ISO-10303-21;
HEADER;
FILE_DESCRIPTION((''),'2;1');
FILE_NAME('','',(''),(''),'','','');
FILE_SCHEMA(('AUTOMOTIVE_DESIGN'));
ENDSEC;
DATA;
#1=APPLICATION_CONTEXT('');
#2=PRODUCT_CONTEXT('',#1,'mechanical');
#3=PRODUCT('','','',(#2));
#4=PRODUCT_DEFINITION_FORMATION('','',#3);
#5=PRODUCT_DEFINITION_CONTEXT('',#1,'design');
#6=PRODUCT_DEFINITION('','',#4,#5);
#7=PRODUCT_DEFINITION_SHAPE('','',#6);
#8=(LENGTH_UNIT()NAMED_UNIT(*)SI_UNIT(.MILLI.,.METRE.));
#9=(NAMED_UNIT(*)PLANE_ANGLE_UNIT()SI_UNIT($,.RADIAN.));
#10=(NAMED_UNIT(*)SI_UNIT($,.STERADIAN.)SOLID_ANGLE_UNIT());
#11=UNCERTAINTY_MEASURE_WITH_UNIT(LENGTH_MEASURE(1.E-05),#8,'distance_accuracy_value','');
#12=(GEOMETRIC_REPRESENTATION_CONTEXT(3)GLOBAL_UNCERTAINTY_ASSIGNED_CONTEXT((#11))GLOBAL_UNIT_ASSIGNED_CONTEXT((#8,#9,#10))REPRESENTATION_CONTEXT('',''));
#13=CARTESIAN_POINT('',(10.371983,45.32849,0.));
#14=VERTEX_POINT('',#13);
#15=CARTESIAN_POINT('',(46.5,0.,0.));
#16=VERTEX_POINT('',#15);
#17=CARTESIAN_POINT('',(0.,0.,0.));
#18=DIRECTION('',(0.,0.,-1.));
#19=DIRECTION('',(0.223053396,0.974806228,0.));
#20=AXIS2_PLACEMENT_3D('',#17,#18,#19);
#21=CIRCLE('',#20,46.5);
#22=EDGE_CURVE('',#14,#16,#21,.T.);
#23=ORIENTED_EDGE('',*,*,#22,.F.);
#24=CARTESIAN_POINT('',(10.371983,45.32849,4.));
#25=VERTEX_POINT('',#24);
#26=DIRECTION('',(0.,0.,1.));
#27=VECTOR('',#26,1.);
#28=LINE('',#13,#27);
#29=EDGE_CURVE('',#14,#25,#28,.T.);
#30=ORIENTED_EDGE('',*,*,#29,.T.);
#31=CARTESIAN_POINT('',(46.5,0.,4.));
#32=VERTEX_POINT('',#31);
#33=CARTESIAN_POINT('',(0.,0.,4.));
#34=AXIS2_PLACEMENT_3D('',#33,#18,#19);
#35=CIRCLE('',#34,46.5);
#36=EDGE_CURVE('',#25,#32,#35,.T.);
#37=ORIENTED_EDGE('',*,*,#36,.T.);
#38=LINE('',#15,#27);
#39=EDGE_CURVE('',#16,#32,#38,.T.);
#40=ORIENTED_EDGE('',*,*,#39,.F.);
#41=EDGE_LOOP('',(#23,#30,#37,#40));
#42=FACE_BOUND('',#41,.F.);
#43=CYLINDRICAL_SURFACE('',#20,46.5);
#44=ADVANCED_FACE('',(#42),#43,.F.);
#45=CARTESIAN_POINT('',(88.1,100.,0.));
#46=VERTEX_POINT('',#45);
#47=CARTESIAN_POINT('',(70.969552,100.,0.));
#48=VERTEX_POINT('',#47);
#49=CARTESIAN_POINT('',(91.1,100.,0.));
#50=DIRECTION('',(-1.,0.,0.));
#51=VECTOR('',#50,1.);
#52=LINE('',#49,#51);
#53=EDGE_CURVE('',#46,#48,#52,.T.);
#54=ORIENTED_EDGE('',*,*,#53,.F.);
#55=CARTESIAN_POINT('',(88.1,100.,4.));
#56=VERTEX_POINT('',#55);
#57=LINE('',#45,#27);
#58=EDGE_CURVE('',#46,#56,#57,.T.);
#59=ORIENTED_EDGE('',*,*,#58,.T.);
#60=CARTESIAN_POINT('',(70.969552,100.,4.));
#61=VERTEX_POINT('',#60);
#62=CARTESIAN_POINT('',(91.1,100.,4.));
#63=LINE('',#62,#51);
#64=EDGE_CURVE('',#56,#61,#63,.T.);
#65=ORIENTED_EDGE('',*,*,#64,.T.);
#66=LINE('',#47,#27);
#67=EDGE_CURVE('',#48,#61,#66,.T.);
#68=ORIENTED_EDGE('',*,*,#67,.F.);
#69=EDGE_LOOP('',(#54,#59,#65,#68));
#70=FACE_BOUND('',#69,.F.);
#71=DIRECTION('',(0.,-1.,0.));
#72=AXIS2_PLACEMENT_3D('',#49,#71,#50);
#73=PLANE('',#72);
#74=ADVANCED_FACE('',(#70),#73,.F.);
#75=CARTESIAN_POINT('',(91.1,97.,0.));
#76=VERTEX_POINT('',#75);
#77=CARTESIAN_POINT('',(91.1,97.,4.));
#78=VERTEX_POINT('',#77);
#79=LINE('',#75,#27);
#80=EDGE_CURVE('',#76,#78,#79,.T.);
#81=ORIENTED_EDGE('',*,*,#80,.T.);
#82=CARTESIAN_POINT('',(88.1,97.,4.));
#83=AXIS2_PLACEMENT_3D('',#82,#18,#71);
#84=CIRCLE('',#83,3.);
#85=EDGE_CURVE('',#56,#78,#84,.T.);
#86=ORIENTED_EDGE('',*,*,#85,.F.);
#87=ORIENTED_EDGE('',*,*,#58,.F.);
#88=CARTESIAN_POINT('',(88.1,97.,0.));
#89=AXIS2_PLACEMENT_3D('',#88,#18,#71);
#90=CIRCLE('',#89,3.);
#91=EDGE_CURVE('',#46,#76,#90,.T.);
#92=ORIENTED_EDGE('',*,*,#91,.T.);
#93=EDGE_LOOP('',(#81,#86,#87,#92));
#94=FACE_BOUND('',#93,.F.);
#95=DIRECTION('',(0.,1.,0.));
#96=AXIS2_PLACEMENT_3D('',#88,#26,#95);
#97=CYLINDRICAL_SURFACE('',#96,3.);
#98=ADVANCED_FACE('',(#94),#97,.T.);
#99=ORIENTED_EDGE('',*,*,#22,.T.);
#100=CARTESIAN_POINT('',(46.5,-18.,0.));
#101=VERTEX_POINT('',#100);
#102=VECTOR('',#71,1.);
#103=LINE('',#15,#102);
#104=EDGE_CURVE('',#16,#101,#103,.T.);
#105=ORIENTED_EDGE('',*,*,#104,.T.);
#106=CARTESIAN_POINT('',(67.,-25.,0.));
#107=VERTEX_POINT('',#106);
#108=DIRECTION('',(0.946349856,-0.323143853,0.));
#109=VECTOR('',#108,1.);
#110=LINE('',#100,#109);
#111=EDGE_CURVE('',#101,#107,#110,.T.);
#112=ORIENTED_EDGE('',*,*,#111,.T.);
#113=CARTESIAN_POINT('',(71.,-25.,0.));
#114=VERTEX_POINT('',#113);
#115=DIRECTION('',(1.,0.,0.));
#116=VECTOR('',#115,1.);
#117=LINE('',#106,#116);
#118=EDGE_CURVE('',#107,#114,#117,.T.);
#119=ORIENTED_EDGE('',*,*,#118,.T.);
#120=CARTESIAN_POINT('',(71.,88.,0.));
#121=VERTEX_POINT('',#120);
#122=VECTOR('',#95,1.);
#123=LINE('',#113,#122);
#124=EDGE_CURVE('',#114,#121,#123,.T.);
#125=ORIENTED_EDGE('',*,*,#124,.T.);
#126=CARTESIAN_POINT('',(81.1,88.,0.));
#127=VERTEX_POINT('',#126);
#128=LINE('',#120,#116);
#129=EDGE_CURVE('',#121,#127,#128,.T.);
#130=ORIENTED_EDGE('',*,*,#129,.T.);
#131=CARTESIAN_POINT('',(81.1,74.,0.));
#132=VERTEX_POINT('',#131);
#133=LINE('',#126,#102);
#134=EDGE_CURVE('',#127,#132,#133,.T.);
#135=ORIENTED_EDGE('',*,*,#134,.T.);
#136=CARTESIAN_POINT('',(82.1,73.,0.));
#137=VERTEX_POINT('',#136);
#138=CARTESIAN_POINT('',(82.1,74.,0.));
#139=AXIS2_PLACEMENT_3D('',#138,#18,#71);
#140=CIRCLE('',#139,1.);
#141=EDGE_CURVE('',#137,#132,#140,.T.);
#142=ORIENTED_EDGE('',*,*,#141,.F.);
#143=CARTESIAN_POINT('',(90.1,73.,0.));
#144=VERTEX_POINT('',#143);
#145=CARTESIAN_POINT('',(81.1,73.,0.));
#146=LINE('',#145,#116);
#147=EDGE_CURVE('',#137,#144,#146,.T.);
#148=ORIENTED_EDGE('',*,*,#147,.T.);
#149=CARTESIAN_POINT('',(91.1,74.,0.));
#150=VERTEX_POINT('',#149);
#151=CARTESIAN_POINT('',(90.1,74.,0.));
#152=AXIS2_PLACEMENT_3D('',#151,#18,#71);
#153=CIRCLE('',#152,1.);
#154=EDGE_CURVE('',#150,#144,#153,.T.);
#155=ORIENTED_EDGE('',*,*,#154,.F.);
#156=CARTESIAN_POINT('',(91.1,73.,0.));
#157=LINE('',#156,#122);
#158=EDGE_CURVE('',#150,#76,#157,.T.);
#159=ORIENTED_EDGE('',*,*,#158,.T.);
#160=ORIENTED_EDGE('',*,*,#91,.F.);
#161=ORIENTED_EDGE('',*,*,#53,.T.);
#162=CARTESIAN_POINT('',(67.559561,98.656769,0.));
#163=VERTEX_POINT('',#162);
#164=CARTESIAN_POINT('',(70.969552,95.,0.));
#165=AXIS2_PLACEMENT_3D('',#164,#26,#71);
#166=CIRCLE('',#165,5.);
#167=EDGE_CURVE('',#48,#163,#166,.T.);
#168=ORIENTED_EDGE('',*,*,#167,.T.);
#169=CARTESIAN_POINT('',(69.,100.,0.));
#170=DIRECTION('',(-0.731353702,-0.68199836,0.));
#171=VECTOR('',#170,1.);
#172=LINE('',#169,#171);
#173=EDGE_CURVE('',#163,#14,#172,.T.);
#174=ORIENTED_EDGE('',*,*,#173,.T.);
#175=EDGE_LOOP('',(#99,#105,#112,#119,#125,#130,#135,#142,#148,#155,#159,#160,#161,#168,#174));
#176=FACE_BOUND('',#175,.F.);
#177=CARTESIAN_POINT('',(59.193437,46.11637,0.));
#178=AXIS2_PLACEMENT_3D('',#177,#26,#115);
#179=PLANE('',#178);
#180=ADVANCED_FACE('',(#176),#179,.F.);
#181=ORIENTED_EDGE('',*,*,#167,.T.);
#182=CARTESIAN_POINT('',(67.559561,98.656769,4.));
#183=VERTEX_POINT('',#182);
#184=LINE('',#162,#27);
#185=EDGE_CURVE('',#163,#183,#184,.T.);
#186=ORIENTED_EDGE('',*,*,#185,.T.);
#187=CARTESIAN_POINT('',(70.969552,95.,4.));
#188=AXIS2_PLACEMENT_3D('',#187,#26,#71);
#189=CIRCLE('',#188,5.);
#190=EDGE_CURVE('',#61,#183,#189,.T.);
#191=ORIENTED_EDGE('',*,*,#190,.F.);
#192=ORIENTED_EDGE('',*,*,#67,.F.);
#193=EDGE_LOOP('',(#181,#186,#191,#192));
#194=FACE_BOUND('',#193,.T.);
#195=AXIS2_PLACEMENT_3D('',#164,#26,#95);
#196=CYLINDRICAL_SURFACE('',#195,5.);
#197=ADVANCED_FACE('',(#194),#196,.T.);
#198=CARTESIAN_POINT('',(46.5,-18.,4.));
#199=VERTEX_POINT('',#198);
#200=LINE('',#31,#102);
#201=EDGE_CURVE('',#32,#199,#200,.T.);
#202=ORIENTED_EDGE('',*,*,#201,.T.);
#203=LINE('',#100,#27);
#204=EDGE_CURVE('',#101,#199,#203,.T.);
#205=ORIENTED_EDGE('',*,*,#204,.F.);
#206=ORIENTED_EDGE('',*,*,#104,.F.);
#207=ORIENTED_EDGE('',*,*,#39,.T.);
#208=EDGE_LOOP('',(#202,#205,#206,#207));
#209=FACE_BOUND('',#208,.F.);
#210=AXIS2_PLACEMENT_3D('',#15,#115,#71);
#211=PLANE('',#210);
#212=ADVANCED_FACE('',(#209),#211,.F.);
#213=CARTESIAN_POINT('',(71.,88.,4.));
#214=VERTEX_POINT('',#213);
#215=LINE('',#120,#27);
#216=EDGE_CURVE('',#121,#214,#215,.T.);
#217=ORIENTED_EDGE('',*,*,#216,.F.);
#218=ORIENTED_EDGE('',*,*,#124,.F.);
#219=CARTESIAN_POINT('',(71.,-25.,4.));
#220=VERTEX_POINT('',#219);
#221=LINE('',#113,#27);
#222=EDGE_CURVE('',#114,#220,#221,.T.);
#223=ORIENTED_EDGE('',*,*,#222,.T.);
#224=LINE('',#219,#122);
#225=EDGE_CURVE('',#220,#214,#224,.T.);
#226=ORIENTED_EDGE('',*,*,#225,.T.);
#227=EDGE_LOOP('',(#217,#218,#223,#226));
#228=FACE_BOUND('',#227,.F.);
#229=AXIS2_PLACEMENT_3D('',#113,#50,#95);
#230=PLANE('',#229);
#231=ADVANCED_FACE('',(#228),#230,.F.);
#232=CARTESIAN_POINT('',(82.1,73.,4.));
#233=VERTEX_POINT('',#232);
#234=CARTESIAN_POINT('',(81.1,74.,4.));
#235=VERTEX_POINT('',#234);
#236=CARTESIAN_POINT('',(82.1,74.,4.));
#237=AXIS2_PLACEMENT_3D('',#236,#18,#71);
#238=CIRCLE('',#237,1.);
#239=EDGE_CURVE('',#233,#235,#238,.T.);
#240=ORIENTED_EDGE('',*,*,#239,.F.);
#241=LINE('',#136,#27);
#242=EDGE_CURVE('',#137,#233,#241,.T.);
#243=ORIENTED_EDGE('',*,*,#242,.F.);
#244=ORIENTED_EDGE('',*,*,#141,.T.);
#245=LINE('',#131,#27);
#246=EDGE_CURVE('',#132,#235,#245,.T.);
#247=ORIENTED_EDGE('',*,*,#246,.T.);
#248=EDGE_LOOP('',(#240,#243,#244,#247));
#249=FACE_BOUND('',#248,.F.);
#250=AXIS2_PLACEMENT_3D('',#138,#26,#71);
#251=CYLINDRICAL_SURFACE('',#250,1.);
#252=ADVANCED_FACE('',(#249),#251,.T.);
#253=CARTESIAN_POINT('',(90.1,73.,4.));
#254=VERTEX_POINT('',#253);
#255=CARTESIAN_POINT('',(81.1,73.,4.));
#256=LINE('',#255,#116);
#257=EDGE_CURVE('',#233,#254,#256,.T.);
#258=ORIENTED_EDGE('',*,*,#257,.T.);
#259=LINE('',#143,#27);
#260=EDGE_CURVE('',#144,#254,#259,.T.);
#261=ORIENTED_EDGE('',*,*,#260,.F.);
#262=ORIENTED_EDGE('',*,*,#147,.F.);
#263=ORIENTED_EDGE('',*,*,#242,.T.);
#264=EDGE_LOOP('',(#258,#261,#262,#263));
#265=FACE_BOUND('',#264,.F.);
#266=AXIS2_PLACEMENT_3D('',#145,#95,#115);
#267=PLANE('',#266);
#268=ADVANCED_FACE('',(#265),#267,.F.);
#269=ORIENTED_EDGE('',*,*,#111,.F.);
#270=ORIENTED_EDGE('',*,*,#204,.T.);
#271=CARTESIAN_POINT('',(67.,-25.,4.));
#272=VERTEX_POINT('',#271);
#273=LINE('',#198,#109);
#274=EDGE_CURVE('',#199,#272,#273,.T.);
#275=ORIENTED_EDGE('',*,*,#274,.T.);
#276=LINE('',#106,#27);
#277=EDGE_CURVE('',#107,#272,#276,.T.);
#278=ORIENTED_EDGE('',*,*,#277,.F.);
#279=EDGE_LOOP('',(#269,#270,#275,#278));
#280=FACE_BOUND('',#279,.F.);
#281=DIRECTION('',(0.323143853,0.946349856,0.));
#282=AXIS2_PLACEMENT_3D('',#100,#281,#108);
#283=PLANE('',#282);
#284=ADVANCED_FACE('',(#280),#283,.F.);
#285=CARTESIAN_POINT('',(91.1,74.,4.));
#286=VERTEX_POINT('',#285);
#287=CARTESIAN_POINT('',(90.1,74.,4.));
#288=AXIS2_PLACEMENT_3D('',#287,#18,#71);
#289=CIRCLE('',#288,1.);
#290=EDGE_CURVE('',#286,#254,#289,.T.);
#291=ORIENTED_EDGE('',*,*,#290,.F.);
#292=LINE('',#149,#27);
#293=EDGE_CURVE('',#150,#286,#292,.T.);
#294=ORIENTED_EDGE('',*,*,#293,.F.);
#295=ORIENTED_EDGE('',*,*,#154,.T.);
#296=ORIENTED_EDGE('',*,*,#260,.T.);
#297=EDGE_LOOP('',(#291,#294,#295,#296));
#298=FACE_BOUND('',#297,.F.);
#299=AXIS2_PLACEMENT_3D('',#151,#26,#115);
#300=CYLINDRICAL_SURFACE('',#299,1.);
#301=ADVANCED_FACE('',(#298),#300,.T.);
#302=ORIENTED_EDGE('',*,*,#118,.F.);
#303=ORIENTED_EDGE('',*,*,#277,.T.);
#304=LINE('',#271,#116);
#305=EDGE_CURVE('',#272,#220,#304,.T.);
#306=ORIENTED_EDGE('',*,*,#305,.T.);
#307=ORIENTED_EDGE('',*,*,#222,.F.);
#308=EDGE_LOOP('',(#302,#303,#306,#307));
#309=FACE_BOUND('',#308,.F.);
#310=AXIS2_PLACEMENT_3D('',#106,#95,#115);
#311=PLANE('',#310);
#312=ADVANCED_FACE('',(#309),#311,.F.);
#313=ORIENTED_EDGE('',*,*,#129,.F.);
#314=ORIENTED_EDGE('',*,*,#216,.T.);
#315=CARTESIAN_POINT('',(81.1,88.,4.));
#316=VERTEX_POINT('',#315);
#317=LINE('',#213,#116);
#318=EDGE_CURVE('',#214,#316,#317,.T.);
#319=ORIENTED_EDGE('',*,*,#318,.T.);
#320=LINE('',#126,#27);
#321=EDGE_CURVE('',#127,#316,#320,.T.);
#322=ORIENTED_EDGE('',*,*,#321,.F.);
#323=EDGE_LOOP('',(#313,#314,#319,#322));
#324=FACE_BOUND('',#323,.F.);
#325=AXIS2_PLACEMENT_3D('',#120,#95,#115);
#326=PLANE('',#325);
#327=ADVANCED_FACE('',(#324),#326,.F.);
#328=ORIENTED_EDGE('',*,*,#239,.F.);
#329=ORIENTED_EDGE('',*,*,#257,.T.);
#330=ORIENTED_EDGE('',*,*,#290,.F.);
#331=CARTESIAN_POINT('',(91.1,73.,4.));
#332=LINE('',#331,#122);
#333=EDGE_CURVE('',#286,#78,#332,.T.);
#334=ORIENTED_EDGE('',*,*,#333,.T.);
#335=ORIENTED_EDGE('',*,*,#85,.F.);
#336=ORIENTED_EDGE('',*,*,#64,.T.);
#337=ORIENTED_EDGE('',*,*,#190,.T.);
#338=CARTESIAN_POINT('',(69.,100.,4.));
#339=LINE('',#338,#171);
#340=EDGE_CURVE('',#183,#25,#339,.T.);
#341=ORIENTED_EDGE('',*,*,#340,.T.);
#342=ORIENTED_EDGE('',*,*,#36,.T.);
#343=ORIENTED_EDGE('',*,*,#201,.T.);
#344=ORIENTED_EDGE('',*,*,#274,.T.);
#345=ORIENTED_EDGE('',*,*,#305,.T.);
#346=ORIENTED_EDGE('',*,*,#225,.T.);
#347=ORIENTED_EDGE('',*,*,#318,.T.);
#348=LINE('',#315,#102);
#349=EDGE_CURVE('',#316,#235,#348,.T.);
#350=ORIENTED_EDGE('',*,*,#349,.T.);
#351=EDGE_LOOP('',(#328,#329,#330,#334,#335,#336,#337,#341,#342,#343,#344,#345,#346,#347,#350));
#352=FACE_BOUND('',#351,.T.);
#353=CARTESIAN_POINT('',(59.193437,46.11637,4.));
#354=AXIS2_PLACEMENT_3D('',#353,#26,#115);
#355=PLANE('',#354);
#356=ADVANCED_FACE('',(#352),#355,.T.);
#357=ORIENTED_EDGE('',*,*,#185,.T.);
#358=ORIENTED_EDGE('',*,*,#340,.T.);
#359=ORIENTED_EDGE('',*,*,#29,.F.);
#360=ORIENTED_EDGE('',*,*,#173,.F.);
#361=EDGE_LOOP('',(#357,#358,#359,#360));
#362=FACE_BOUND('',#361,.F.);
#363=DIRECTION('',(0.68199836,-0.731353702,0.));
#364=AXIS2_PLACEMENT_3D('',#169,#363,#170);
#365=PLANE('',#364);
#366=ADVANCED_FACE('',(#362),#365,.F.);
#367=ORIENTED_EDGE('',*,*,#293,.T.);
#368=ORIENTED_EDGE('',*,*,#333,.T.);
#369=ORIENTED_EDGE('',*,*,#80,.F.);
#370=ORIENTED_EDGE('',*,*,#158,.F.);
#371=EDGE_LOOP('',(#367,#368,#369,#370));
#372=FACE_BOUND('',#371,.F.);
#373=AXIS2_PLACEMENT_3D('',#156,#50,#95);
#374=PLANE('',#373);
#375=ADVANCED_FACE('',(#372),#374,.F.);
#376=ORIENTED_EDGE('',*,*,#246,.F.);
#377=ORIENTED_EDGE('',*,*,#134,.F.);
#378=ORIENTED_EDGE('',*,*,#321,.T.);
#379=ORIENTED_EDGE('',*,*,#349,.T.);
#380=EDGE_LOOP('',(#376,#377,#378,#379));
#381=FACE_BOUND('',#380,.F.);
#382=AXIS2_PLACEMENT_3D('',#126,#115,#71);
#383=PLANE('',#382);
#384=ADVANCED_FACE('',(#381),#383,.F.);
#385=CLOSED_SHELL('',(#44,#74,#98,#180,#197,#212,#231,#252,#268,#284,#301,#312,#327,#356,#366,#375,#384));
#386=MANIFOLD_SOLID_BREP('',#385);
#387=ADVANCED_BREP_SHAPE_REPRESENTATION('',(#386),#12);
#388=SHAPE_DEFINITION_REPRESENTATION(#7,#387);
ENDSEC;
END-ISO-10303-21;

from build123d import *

# Parameters (mm, degrees)
BOSS_EXTRU_1_DEPTH = 4
FILLET1_R          = 5
FILLET1_2_R        = 3
FILLET1_3_R        = 1


with BuildPart() as part:
    # Esquisse1 → Boss.-Extru.1 (new body)
    with BuildSketch(Plane.XY):
        with BuildLine():
            Line((46.5, 0), (46.5, -18))
            Line((46.5, -18), (67, -25))
            Line((67, -25), (71, -25))
            Line((71, -25), (71, 88))
            Line((71, 88), (81.1, 88))
            Line((81.1, 88), (81.1, 73))
            Line((81.1, 73), (91.1, 73))
            Line((91.1, 73), (91.1, 100))
            Line((91.1, 100), (69, 100))
            Line((69, 100), (10.371982926, 45.328489608))
            ThreePointArc((10.371982926, 45.328489608), (36.363080219, 28.982346298), (46.5, 0))
        make_face()
    extrude(amount=BOSS_EXTRU_1_DEPTH)

    # Fillet1
    fillet1_edges = [part.edges().sort_by_distance(p)[0] for p in [
        (69, 100, 2),
    ]]
    fillet(fillet1_edges, radius=FILLET1_R)

    # Fillet1 2
    fillet1_2_edges = [part.edges().sort_by_distance(p)[0] for p in [
        (91.1, 100, 2),
    ]]
    fillet(fillet1_2_edges, radius=FILLET1_2_R)

    # Fillet1 3
    fillet1_3_edges = [part.edges().sort_by_distance(p)[0] for p in [
        (91.1, 73, 2),
        (81.1, 73, 2),
    ]]
    fillet(fillet1_3_edges, radius=FILLET1_3_R)


solid = part.part
